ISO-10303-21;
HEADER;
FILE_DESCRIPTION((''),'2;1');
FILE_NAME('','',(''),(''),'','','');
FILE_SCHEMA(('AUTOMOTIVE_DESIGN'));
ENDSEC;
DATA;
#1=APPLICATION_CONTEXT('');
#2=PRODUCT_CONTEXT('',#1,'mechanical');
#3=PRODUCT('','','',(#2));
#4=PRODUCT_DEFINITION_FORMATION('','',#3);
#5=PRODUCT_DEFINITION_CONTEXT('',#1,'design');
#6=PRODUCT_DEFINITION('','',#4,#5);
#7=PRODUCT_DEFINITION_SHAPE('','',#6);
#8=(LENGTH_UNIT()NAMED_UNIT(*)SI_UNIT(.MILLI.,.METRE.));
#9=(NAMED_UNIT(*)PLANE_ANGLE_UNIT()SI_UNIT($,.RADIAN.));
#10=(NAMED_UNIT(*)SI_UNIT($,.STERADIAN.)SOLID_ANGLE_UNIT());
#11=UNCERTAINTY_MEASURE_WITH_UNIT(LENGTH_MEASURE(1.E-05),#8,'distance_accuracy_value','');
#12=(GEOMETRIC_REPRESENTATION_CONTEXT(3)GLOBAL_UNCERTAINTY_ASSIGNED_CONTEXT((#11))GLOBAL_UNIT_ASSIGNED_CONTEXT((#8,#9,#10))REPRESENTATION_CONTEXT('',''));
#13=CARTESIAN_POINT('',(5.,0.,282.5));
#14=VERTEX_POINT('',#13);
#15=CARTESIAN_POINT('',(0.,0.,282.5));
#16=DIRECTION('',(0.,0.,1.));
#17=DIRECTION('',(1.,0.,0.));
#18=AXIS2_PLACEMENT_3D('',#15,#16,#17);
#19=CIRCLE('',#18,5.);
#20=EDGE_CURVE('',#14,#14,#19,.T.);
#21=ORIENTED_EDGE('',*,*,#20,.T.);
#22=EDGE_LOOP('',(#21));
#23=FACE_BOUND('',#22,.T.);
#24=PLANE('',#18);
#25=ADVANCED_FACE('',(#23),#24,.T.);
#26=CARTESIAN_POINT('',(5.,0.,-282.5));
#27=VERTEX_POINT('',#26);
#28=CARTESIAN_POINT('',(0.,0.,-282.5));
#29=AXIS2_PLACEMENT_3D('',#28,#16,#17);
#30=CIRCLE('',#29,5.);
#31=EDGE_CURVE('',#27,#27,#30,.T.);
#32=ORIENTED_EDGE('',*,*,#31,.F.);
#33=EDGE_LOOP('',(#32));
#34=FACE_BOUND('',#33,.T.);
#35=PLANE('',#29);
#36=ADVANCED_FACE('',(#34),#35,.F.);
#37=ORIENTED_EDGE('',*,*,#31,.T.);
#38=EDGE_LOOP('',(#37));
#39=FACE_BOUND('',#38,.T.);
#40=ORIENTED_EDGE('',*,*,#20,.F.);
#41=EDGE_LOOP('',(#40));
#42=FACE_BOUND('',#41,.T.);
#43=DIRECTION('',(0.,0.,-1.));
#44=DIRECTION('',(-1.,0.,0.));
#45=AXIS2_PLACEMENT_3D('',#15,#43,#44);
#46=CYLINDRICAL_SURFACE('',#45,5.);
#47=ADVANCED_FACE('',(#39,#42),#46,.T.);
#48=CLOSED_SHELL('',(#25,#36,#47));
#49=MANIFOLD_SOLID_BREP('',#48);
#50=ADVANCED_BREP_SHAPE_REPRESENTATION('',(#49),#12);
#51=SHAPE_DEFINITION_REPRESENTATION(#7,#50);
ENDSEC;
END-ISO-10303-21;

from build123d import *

# Parameters (mm, degrees)
SKETCH_1_R      = 5
EXTRUDE_1_DEPTH = 282.5


with BuildPart() as part:
    # Эскиз1 → Бобышка-Вытянуть1 (new, symmetric)
    with BuildSketch(Plane.XY):
        Circle(SKETCH_1_R)
    extrude(amount=EXTRUDE_1_DEPTH, both=True)


solid = part.part
